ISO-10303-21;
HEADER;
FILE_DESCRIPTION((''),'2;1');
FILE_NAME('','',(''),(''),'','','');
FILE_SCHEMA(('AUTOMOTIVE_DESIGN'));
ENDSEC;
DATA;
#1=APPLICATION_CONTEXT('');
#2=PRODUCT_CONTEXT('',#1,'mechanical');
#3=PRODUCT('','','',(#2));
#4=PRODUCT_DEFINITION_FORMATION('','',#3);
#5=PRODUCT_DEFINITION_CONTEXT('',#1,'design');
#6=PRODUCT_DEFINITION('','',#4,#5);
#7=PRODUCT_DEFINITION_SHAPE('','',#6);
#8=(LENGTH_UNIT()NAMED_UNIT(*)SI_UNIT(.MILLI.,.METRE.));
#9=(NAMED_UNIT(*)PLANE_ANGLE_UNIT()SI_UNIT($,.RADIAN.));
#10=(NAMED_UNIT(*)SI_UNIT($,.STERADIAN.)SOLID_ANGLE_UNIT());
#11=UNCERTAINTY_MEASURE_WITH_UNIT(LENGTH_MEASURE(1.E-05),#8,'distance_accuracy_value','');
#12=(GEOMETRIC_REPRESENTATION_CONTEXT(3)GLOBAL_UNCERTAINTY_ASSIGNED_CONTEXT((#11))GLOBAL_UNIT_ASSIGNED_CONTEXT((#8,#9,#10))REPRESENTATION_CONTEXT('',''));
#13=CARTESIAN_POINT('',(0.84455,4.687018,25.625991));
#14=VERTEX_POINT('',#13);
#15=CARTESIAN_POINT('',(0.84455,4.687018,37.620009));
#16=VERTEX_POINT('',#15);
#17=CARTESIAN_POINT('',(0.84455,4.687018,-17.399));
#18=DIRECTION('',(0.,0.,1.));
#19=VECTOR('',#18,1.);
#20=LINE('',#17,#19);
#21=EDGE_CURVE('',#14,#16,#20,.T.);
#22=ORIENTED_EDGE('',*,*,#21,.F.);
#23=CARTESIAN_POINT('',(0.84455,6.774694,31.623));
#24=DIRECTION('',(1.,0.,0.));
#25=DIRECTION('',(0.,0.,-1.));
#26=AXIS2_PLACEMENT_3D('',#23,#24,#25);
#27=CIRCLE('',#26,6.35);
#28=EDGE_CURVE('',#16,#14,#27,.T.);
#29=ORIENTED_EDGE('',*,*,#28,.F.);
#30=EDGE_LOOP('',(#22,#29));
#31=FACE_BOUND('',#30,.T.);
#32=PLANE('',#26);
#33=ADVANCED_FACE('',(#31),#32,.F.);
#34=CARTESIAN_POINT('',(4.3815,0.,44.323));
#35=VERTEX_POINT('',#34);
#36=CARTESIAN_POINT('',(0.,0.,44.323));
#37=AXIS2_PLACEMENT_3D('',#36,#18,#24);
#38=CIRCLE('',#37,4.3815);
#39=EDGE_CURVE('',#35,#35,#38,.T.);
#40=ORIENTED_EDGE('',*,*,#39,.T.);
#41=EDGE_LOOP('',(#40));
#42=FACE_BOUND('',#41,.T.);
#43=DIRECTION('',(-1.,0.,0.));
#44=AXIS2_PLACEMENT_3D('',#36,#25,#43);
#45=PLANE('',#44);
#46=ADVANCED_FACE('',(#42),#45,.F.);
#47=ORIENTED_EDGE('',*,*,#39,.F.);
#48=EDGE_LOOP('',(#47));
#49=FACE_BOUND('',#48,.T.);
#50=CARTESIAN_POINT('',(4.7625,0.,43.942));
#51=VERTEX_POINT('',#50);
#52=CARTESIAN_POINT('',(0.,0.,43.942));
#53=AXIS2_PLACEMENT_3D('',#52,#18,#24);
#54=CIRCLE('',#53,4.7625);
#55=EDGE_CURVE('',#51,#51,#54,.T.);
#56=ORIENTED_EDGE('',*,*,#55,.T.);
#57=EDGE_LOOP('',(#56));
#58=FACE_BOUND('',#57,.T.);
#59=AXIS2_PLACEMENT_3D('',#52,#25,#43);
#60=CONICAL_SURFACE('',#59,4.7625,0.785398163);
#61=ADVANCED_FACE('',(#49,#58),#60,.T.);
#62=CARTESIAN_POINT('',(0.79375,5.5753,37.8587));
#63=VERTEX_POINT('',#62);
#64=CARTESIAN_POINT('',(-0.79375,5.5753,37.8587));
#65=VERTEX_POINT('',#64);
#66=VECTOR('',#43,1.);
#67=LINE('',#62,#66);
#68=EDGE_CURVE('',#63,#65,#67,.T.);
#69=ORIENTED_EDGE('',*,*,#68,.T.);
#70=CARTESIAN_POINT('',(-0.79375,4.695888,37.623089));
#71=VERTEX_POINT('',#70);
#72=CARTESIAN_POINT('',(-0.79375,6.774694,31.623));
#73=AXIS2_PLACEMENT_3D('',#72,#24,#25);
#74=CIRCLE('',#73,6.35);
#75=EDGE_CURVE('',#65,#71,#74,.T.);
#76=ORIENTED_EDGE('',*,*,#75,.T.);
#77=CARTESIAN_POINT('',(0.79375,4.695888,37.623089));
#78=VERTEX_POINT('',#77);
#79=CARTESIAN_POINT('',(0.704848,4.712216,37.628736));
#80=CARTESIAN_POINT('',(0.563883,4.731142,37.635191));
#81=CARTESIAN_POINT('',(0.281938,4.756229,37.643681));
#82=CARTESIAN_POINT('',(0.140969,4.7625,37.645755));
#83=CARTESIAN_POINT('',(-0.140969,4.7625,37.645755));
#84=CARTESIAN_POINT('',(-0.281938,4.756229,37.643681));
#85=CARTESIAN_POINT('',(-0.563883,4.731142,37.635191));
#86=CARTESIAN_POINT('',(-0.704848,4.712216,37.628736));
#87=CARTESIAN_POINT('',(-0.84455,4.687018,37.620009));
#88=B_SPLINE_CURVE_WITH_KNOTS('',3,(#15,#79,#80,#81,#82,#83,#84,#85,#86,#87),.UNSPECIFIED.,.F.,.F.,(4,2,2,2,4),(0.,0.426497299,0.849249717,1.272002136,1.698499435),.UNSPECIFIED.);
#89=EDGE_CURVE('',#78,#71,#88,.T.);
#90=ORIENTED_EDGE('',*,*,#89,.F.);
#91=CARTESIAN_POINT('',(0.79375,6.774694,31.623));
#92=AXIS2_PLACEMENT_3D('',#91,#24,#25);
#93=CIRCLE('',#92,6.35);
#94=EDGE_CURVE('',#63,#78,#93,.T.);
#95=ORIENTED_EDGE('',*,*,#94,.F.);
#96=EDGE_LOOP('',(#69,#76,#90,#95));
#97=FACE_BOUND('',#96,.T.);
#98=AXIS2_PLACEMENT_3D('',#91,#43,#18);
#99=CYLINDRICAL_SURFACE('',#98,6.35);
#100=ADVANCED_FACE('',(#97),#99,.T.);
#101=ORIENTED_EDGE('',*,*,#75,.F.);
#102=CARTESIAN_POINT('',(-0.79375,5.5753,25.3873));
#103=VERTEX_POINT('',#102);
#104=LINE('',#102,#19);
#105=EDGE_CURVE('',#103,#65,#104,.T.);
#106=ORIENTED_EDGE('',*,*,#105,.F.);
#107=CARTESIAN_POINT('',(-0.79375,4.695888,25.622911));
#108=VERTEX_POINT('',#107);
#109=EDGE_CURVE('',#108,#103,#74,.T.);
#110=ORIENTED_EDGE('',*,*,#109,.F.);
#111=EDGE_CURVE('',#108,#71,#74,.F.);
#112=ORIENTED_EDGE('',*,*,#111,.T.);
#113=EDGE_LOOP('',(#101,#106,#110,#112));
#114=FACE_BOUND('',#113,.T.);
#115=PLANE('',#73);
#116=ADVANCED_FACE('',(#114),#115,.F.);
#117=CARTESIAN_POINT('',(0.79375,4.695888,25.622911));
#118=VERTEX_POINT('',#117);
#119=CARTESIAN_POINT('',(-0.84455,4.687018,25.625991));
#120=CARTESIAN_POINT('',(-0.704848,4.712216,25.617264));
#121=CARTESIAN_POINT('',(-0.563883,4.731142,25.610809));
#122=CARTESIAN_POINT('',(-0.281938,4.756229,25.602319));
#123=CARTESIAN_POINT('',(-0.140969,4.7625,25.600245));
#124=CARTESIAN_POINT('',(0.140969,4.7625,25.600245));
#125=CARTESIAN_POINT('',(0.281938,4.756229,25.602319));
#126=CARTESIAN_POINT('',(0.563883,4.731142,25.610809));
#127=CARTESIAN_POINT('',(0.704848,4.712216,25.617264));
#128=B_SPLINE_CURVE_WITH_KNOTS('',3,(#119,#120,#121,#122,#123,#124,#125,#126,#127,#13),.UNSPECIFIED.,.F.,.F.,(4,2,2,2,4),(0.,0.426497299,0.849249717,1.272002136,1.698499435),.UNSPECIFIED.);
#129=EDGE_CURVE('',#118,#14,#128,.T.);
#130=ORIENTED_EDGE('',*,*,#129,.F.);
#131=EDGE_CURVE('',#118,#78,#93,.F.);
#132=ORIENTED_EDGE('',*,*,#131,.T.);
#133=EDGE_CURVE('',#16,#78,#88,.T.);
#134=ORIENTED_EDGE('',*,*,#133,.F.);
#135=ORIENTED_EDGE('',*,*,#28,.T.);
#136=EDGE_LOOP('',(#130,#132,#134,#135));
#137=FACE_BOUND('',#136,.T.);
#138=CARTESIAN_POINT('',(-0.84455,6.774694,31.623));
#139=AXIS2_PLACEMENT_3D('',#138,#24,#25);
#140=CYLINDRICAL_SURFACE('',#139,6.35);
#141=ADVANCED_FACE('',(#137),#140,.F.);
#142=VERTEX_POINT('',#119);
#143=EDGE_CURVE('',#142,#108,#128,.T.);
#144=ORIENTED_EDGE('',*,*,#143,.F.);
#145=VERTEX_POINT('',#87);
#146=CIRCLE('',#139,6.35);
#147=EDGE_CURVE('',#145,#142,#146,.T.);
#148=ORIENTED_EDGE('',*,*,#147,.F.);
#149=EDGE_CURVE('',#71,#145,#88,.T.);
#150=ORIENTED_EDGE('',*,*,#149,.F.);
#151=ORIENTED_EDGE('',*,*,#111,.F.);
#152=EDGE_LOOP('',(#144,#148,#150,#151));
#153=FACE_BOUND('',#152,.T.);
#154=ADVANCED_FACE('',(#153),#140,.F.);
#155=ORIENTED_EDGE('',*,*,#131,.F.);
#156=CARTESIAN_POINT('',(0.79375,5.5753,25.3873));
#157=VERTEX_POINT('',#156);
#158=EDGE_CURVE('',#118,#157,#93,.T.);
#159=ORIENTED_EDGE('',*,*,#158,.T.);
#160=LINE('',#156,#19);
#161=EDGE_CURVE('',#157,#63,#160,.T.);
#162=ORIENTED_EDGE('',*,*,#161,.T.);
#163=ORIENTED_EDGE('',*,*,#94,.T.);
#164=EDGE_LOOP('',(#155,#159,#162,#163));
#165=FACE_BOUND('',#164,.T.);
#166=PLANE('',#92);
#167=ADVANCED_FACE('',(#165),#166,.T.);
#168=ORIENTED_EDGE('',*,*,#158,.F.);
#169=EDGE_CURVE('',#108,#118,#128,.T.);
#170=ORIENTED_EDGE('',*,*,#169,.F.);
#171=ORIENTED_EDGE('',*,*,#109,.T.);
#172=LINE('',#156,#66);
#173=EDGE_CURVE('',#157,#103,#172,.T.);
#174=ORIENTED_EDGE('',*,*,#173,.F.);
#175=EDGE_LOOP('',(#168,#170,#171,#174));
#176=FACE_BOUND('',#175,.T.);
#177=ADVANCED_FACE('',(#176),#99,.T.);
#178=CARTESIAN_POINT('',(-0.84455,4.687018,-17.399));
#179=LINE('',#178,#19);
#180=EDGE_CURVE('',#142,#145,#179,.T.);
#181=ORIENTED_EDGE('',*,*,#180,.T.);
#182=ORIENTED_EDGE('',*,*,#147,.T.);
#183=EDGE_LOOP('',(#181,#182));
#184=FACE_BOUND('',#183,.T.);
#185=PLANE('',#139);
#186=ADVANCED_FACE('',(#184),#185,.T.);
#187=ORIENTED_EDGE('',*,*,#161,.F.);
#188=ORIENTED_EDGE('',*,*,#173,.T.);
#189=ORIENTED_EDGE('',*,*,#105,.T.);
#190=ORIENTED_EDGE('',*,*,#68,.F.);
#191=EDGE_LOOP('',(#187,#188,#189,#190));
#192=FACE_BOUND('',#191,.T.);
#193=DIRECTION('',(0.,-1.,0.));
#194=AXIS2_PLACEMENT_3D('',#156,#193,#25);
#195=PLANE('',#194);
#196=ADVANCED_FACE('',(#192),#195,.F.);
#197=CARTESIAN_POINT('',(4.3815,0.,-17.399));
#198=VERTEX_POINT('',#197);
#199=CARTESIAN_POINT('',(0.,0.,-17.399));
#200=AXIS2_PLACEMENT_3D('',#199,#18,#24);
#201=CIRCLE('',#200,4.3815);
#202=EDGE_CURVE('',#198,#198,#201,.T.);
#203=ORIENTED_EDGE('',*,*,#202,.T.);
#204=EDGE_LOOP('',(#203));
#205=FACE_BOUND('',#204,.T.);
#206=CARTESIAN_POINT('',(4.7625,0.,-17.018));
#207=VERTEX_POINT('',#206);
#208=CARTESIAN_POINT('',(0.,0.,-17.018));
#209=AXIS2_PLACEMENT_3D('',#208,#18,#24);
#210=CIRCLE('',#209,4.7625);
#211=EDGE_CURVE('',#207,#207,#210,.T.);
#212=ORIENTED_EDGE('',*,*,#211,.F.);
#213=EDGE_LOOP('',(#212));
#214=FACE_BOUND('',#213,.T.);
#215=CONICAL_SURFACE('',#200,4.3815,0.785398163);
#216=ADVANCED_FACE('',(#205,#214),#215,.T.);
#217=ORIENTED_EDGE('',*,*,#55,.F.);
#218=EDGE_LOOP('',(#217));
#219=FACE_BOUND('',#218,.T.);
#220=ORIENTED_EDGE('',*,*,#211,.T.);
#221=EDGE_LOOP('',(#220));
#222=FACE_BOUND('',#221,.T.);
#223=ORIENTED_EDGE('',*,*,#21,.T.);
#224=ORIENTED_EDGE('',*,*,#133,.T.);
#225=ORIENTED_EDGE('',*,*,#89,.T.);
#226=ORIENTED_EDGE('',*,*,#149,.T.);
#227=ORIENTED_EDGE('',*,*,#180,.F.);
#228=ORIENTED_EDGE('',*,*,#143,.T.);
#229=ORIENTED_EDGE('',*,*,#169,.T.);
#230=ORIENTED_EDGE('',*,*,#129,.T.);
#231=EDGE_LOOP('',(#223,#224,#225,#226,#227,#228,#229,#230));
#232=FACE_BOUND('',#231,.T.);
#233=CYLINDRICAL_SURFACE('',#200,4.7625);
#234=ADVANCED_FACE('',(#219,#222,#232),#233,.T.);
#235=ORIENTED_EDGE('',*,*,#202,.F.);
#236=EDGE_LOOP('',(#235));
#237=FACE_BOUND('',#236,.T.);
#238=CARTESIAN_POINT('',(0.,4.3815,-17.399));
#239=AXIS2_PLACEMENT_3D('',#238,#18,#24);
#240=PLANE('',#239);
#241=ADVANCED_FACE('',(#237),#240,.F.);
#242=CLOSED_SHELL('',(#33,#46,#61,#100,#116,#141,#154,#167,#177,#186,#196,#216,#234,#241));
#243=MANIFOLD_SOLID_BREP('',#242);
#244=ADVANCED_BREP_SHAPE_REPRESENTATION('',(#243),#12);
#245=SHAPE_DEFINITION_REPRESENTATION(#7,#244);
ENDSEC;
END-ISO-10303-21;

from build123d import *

# Parameters (mm, degrees)
CUT_EXTRUDE1_DEPTH       = 0.84455
CUT_EXTRUDE1_DEPTH_BACK  = 0.84455
BOSS_EXTRUDE1_DEPTH      = 0.79375
BOSS_EXTRUDE1_DEPTH_BACK = 0.79375


with BuildPart() as part:
    # Sketch1 → Revolve1 (revolve)
    with BuildSketch(Plane(origin=(0, 0, 0), x_dir=(0, 0, -1), z_dir=(1, 0, 0))):
        Polygon((-44.323, 0), (-44.323, 4.3815), (-43.942, 4.7625), (17.018, 4.7625), (17.399, 4.3815), (17.399, 0), align=None)
    revolve(axis=Axis((0, 0, -17.399), (0, 0, 1)))

    # Sketch2 → Cut-Extrude1 (cut, two sides: drawn at the far end of the back side and taken through both)
    with BuildSketch(Plane(origin=(0, 0, 0), x_dir=(0, 0, -1), z_dir=(1, 0, 0)).offset(-CUT_EXTRUDE1_DEPTH_BACK)):
        with BuildLine():
            Line((-25.3873, 5.5753), (-37.8587, 5.5753))
            ThreePointArc((-37.8587, 5.5753), (-31.623, 0.424693809), (-25.3873, 5.5753))
        make_face()
    extrude(amount=CUT_EXTRUDE1_DEPTH + CUT_EXTRUDE1_DEPTH_BACK, mode=Mode.SUBTRACT)

    # Sketch3 → Boss-Extrude1 (add, two sides: drawn at the far end of the back side and taken through both)
    with BuildSketch(Plane(origin=(0, 0, 0), x_dir=(0, 0, -1), z_dir=(1, 0, 0)).offset(-BOSS_EXTRUDE1_DEPTH_BACK)):
        with BuildLine():
            Line((-31.75, 0.425963936), (-31.75, 0.169400396))
            Line((-31.75, 0.169400396), (-31.496, 0.169400396))
            Line((-31.496, 0.169400396), (-31.496, 0.425963936))
            ThreePointArc((-31.496, 0.425963936), (-27.530335428, 1.919531948), (-25.3873, 5.5753))
            Line((-25.3873, 5.5753), (-37.8587, 5.5753))
            ThreePointArc((-37.8587, 5.5753), (-35.715664572, 1.919531948), (-31.75, 0.425963936))
        make_face()
    extrude(amount=BOSS_EXTRUDE1_DEPTH + BOSS_EXTRUDE1_DEPTH_BACK)


solid = part.part
